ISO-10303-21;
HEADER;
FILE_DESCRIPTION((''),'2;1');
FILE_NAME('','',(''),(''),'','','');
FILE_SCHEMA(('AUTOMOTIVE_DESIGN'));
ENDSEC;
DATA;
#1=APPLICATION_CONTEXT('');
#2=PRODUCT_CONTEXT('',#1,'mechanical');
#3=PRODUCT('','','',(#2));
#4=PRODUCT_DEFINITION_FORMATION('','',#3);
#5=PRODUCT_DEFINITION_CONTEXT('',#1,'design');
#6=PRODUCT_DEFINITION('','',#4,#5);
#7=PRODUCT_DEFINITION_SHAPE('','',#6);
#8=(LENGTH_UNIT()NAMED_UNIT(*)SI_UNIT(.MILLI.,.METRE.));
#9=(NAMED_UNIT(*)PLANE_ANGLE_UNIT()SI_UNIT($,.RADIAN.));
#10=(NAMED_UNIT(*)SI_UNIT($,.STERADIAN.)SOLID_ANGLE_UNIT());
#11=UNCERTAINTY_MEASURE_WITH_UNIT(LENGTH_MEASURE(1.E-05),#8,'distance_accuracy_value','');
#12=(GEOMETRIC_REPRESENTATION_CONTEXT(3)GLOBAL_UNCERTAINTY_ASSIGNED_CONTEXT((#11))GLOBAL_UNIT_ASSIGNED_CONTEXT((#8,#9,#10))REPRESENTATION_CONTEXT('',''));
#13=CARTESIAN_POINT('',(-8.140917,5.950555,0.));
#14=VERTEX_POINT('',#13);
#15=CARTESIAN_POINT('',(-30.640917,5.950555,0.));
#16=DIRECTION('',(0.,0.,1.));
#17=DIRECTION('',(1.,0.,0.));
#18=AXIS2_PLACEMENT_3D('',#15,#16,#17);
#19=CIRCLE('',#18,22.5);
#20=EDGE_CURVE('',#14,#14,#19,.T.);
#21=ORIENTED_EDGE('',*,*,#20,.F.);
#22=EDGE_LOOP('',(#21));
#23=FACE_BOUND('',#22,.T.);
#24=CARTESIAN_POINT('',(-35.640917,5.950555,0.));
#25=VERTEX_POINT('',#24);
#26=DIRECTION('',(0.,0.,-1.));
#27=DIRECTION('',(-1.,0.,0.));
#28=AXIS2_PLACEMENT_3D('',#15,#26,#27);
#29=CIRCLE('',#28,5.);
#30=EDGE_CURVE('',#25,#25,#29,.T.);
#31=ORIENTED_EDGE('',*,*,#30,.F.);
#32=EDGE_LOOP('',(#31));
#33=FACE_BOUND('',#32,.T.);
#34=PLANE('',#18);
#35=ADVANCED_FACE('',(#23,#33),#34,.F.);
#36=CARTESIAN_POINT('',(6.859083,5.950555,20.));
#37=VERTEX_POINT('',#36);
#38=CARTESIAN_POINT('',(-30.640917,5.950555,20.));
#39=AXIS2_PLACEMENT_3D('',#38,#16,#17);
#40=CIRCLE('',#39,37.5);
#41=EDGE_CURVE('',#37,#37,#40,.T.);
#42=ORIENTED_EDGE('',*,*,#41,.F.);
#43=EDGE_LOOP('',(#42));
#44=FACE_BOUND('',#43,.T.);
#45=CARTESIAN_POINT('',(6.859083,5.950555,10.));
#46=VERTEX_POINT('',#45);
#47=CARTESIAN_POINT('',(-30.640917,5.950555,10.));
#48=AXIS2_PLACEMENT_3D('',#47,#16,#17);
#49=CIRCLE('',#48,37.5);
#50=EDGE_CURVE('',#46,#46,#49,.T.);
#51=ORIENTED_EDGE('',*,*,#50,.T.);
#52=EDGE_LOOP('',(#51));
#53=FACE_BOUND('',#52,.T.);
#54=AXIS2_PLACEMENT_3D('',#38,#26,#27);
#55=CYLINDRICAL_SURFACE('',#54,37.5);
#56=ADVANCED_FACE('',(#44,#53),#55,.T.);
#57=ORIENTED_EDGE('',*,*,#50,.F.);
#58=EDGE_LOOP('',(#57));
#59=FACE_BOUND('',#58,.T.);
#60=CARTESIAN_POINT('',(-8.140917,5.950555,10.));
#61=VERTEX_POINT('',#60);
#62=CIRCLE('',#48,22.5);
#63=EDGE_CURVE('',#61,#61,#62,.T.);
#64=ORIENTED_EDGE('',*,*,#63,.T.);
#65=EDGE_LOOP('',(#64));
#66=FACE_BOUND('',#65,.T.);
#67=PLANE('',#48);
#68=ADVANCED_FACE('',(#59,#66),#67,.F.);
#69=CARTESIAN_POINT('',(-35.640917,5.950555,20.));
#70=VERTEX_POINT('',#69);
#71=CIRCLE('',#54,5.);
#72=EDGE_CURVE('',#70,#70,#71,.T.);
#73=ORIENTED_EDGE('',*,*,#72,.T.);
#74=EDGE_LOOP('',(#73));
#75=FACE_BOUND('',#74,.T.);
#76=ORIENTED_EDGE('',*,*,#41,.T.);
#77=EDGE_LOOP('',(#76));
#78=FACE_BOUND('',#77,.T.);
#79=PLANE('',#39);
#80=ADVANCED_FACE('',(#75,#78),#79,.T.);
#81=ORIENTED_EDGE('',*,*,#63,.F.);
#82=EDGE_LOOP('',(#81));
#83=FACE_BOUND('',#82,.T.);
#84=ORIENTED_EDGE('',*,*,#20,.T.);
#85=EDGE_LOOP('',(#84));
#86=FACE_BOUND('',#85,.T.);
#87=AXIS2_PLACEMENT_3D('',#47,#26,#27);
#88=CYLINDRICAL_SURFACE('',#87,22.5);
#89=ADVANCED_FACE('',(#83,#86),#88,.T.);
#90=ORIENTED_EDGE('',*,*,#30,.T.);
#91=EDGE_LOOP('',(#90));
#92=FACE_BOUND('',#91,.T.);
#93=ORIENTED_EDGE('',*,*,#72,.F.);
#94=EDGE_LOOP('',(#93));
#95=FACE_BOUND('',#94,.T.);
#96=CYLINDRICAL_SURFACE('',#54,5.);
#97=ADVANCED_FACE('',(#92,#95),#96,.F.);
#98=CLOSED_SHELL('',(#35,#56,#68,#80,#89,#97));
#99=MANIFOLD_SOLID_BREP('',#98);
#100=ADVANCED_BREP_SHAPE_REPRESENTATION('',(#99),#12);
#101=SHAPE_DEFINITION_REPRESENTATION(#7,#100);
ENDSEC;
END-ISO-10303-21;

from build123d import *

# Parameters (mm, degrees)
SKETCH_1_R          = 22.5
EXTRUDE_1_DEPTH     = 10
SKETCH_2_R          = 37.5
EXTRUDE_2_DEPTH     = 10
SKETCH_3_R          = 5
CUT_EXTRUDE_1_DEPTH = 20


with BuildPart() as part:
    # 草图1 → 凸台-拉伸1 (new body)
    with BuildSketch(Plane.XY):
        with Locations((-30.640916886, 5.950554874)):
            Circle(SKETCH_1_R)
    extrude(amount=EXTRUDE_1_DEPTH)

    # 草图2 → 凸台-拉伸2 (add)
    with BuildSketch(Plane.XY.offset(10)):
        with Locations((-30.640916886, 5.950554874)):
            Circle(SKETCH_2_R)
    extrude(amount=EXTRUDE_2_DEPTH)

    # 草图3 → 切除-拉伸1 (cut)
    with BuildSketch(Plane(origin=(0, 0, 0), x_dir=(-1, 0, 0), z_dir=(0, 0, -1))):
        with Locations((30.640916886, 5.950554874)):
            Circle(SKETCH_3_R)
    extrude(amount=-CUT_EXTRUDE_1_DEPTH, mode=Mode.SUBTRACT)


solid = part.part
